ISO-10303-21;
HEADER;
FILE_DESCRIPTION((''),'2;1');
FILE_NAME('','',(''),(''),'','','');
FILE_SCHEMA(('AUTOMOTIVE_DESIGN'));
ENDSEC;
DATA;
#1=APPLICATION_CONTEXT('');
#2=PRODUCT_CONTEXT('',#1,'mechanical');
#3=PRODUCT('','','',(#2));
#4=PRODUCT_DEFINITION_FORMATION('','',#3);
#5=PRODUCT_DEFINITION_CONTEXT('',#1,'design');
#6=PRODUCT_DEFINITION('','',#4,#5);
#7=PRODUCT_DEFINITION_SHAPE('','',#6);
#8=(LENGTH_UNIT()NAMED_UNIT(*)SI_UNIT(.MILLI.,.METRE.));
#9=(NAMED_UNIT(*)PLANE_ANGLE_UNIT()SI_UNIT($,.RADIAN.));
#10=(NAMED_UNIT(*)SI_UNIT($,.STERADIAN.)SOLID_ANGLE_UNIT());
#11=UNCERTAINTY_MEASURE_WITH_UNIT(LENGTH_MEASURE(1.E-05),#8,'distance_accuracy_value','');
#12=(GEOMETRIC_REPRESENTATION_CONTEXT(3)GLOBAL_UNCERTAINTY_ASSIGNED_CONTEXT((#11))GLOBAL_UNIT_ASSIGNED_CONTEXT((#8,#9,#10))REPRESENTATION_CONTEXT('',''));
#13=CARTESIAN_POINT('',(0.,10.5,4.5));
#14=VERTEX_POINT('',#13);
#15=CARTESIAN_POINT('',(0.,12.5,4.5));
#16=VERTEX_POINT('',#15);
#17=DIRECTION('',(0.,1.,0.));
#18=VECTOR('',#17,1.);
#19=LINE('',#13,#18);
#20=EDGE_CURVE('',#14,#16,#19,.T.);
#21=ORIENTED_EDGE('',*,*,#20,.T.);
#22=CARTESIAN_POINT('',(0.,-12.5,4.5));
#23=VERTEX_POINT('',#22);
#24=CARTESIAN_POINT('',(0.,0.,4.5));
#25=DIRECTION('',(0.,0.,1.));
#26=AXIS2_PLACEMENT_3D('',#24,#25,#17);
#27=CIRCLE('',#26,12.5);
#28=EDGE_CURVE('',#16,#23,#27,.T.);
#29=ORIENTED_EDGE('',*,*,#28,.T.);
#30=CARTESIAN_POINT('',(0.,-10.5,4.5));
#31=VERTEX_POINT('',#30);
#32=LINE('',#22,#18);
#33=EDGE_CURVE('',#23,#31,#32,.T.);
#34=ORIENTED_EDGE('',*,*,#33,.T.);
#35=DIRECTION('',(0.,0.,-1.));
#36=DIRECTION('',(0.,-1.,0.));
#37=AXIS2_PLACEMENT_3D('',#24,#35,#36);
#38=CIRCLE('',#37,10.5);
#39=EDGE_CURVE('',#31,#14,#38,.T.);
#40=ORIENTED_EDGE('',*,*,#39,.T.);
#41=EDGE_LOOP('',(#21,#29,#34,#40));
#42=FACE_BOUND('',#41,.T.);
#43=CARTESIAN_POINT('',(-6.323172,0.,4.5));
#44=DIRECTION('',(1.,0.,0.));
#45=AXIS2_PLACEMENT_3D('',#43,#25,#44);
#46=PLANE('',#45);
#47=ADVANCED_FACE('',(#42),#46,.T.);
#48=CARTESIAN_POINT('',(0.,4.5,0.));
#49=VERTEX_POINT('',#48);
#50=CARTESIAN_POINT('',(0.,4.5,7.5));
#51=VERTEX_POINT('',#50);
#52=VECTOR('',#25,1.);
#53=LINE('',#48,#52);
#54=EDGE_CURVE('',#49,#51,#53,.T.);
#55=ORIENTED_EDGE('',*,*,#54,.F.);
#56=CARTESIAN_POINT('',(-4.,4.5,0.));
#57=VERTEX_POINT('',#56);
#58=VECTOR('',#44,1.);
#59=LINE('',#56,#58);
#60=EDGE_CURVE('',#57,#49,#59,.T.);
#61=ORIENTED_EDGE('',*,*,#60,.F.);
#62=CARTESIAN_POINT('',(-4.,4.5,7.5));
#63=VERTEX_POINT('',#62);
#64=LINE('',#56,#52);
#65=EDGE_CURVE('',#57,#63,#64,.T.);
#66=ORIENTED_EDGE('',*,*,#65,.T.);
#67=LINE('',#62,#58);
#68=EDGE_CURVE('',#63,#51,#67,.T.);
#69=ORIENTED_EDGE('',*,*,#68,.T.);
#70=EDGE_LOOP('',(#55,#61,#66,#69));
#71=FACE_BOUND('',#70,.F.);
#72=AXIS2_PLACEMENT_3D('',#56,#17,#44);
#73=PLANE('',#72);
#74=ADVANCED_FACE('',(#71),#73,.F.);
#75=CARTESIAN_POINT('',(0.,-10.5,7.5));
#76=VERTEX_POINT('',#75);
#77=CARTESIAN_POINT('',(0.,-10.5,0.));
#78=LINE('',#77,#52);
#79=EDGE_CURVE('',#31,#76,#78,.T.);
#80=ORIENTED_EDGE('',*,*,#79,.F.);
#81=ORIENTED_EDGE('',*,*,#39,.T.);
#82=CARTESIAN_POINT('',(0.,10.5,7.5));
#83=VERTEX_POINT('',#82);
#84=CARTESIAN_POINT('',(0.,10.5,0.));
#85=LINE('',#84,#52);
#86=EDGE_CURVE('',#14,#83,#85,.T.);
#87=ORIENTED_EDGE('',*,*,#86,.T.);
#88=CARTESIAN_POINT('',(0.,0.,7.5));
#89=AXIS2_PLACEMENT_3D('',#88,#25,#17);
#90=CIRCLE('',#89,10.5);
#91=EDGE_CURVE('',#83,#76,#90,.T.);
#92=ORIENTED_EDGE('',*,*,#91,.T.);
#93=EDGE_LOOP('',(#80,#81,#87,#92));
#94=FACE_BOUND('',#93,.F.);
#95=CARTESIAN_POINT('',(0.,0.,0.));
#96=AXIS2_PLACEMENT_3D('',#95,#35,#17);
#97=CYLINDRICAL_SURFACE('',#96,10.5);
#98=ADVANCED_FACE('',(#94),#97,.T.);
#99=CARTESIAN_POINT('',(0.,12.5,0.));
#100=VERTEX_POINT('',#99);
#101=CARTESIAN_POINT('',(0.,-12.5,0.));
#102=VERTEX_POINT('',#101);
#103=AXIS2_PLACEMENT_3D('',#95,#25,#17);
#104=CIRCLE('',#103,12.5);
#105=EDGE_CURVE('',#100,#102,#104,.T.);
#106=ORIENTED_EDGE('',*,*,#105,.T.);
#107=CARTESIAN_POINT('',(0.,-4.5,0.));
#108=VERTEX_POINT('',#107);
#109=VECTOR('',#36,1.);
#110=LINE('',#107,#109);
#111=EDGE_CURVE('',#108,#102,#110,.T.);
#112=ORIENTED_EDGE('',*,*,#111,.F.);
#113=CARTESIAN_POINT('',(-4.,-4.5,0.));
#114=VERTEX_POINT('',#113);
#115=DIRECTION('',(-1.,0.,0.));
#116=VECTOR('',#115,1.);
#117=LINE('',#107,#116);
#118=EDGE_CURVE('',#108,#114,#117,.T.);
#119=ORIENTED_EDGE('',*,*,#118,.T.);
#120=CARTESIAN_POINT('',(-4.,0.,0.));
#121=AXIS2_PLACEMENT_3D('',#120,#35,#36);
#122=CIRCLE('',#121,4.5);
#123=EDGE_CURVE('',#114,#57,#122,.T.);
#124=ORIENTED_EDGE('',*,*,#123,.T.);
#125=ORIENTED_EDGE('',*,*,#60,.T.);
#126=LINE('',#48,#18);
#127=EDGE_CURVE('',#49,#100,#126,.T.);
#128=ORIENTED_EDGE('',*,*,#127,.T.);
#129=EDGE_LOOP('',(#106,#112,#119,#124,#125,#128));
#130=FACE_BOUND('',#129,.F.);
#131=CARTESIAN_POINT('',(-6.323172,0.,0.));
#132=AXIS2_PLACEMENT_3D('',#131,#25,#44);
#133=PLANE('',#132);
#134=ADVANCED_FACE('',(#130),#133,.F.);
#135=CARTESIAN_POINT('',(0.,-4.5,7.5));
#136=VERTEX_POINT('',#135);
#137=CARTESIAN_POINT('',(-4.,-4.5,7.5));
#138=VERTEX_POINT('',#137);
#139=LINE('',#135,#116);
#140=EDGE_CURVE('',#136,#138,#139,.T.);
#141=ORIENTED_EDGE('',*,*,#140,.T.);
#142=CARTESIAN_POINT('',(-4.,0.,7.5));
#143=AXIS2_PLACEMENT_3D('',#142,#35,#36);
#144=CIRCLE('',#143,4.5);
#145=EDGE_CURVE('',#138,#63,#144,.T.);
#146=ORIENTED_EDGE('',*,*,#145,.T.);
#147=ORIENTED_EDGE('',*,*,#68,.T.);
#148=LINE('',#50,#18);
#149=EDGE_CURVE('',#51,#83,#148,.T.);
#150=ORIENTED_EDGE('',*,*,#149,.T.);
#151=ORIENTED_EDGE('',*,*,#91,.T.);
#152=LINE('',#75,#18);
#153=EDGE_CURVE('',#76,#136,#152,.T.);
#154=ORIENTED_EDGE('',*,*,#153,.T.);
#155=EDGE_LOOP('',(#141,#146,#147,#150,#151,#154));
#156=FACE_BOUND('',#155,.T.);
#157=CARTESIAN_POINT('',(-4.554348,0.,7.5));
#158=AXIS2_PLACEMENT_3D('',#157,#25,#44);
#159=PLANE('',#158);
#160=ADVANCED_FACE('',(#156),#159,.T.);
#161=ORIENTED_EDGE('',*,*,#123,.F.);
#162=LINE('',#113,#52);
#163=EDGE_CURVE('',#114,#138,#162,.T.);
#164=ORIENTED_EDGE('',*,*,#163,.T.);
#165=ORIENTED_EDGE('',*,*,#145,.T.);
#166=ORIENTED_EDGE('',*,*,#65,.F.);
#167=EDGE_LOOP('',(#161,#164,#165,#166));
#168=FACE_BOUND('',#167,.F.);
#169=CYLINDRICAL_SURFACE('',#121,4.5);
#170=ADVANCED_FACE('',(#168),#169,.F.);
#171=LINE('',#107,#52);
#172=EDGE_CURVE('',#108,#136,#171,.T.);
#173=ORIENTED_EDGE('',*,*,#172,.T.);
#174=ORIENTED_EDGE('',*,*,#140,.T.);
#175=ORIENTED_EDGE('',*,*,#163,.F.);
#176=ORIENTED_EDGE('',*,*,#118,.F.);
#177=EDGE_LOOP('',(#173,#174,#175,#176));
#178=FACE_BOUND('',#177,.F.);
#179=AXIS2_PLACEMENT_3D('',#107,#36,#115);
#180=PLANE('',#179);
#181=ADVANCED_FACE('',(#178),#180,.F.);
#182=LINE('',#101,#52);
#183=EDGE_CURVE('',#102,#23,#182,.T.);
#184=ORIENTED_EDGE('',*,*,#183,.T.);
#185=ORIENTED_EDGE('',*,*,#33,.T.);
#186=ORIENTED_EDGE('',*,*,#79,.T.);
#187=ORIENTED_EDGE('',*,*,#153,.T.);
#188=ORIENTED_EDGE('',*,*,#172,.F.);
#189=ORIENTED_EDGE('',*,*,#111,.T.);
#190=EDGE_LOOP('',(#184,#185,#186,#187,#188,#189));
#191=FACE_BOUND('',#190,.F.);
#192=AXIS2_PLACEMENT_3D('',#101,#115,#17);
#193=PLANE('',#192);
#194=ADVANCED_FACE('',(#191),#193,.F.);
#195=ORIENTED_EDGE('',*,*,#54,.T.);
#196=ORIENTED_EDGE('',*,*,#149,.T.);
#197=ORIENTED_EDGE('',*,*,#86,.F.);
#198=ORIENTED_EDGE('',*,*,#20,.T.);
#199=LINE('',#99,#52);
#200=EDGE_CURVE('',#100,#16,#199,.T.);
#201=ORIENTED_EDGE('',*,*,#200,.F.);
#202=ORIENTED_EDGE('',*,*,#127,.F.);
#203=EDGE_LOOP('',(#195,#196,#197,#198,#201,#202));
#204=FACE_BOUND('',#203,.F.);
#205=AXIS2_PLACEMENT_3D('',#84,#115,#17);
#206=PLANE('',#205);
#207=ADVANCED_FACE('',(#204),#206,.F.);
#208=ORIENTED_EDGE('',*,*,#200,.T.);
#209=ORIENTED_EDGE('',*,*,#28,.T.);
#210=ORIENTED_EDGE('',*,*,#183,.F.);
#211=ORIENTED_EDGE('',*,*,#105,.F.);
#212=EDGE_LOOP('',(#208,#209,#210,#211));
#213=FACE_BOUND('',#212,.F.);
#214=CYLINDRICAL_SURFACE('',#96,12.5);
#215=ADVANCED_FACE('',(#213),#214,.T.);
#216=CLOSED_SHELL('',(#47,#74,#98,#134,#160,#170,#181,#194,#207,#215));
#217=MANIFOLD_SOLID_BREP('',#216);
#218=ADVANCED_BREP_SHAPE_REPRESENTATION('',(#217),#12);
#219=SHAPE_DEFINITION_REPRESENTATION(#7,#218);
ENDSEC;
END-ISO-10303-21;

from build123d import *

# Parameters (mm, degrees)
F1_DEPTH = 7.5
F2_DEPTH = 4.5


with BuildPart() as f1:
    # F0 (on Top) → F1 (new body)
    with BuildSketch(Plane.XY):
        with BuildLine():
            Line((0, 4.5), (0, 10.5))
            ThreePointArc((0, 10.5), (-10.5, 0), (0, -10.5))
            Line((0, -10.5), (0, -4.5))
            Line((0, -4.5), (-4, -4.5))
            ThreePointArc((-4, -4.5), (-8.5, 0), (-4, 4.5))
            Line((-4, 4.5), (0, 4.5))
        make_face()
    extrude(amount=F1_DEPTH)

    # F0 (on Top) → F2 (join)
    with BuildSketch(Plane.XY):
        with BuildLine():
            ThreePointArc((0, -10.5), (-10.5, 0), (0, 10.5))
            Line((0, 10.5), (0, 12.5))
            ThreePointArc((0, 12.5), (-12.5, 0), (0, -12.5))
            Line((0, -12.5), (0, -10.5))
        make_face()
    extrude(amount=F2_DEPTH)


solid = f1.part
